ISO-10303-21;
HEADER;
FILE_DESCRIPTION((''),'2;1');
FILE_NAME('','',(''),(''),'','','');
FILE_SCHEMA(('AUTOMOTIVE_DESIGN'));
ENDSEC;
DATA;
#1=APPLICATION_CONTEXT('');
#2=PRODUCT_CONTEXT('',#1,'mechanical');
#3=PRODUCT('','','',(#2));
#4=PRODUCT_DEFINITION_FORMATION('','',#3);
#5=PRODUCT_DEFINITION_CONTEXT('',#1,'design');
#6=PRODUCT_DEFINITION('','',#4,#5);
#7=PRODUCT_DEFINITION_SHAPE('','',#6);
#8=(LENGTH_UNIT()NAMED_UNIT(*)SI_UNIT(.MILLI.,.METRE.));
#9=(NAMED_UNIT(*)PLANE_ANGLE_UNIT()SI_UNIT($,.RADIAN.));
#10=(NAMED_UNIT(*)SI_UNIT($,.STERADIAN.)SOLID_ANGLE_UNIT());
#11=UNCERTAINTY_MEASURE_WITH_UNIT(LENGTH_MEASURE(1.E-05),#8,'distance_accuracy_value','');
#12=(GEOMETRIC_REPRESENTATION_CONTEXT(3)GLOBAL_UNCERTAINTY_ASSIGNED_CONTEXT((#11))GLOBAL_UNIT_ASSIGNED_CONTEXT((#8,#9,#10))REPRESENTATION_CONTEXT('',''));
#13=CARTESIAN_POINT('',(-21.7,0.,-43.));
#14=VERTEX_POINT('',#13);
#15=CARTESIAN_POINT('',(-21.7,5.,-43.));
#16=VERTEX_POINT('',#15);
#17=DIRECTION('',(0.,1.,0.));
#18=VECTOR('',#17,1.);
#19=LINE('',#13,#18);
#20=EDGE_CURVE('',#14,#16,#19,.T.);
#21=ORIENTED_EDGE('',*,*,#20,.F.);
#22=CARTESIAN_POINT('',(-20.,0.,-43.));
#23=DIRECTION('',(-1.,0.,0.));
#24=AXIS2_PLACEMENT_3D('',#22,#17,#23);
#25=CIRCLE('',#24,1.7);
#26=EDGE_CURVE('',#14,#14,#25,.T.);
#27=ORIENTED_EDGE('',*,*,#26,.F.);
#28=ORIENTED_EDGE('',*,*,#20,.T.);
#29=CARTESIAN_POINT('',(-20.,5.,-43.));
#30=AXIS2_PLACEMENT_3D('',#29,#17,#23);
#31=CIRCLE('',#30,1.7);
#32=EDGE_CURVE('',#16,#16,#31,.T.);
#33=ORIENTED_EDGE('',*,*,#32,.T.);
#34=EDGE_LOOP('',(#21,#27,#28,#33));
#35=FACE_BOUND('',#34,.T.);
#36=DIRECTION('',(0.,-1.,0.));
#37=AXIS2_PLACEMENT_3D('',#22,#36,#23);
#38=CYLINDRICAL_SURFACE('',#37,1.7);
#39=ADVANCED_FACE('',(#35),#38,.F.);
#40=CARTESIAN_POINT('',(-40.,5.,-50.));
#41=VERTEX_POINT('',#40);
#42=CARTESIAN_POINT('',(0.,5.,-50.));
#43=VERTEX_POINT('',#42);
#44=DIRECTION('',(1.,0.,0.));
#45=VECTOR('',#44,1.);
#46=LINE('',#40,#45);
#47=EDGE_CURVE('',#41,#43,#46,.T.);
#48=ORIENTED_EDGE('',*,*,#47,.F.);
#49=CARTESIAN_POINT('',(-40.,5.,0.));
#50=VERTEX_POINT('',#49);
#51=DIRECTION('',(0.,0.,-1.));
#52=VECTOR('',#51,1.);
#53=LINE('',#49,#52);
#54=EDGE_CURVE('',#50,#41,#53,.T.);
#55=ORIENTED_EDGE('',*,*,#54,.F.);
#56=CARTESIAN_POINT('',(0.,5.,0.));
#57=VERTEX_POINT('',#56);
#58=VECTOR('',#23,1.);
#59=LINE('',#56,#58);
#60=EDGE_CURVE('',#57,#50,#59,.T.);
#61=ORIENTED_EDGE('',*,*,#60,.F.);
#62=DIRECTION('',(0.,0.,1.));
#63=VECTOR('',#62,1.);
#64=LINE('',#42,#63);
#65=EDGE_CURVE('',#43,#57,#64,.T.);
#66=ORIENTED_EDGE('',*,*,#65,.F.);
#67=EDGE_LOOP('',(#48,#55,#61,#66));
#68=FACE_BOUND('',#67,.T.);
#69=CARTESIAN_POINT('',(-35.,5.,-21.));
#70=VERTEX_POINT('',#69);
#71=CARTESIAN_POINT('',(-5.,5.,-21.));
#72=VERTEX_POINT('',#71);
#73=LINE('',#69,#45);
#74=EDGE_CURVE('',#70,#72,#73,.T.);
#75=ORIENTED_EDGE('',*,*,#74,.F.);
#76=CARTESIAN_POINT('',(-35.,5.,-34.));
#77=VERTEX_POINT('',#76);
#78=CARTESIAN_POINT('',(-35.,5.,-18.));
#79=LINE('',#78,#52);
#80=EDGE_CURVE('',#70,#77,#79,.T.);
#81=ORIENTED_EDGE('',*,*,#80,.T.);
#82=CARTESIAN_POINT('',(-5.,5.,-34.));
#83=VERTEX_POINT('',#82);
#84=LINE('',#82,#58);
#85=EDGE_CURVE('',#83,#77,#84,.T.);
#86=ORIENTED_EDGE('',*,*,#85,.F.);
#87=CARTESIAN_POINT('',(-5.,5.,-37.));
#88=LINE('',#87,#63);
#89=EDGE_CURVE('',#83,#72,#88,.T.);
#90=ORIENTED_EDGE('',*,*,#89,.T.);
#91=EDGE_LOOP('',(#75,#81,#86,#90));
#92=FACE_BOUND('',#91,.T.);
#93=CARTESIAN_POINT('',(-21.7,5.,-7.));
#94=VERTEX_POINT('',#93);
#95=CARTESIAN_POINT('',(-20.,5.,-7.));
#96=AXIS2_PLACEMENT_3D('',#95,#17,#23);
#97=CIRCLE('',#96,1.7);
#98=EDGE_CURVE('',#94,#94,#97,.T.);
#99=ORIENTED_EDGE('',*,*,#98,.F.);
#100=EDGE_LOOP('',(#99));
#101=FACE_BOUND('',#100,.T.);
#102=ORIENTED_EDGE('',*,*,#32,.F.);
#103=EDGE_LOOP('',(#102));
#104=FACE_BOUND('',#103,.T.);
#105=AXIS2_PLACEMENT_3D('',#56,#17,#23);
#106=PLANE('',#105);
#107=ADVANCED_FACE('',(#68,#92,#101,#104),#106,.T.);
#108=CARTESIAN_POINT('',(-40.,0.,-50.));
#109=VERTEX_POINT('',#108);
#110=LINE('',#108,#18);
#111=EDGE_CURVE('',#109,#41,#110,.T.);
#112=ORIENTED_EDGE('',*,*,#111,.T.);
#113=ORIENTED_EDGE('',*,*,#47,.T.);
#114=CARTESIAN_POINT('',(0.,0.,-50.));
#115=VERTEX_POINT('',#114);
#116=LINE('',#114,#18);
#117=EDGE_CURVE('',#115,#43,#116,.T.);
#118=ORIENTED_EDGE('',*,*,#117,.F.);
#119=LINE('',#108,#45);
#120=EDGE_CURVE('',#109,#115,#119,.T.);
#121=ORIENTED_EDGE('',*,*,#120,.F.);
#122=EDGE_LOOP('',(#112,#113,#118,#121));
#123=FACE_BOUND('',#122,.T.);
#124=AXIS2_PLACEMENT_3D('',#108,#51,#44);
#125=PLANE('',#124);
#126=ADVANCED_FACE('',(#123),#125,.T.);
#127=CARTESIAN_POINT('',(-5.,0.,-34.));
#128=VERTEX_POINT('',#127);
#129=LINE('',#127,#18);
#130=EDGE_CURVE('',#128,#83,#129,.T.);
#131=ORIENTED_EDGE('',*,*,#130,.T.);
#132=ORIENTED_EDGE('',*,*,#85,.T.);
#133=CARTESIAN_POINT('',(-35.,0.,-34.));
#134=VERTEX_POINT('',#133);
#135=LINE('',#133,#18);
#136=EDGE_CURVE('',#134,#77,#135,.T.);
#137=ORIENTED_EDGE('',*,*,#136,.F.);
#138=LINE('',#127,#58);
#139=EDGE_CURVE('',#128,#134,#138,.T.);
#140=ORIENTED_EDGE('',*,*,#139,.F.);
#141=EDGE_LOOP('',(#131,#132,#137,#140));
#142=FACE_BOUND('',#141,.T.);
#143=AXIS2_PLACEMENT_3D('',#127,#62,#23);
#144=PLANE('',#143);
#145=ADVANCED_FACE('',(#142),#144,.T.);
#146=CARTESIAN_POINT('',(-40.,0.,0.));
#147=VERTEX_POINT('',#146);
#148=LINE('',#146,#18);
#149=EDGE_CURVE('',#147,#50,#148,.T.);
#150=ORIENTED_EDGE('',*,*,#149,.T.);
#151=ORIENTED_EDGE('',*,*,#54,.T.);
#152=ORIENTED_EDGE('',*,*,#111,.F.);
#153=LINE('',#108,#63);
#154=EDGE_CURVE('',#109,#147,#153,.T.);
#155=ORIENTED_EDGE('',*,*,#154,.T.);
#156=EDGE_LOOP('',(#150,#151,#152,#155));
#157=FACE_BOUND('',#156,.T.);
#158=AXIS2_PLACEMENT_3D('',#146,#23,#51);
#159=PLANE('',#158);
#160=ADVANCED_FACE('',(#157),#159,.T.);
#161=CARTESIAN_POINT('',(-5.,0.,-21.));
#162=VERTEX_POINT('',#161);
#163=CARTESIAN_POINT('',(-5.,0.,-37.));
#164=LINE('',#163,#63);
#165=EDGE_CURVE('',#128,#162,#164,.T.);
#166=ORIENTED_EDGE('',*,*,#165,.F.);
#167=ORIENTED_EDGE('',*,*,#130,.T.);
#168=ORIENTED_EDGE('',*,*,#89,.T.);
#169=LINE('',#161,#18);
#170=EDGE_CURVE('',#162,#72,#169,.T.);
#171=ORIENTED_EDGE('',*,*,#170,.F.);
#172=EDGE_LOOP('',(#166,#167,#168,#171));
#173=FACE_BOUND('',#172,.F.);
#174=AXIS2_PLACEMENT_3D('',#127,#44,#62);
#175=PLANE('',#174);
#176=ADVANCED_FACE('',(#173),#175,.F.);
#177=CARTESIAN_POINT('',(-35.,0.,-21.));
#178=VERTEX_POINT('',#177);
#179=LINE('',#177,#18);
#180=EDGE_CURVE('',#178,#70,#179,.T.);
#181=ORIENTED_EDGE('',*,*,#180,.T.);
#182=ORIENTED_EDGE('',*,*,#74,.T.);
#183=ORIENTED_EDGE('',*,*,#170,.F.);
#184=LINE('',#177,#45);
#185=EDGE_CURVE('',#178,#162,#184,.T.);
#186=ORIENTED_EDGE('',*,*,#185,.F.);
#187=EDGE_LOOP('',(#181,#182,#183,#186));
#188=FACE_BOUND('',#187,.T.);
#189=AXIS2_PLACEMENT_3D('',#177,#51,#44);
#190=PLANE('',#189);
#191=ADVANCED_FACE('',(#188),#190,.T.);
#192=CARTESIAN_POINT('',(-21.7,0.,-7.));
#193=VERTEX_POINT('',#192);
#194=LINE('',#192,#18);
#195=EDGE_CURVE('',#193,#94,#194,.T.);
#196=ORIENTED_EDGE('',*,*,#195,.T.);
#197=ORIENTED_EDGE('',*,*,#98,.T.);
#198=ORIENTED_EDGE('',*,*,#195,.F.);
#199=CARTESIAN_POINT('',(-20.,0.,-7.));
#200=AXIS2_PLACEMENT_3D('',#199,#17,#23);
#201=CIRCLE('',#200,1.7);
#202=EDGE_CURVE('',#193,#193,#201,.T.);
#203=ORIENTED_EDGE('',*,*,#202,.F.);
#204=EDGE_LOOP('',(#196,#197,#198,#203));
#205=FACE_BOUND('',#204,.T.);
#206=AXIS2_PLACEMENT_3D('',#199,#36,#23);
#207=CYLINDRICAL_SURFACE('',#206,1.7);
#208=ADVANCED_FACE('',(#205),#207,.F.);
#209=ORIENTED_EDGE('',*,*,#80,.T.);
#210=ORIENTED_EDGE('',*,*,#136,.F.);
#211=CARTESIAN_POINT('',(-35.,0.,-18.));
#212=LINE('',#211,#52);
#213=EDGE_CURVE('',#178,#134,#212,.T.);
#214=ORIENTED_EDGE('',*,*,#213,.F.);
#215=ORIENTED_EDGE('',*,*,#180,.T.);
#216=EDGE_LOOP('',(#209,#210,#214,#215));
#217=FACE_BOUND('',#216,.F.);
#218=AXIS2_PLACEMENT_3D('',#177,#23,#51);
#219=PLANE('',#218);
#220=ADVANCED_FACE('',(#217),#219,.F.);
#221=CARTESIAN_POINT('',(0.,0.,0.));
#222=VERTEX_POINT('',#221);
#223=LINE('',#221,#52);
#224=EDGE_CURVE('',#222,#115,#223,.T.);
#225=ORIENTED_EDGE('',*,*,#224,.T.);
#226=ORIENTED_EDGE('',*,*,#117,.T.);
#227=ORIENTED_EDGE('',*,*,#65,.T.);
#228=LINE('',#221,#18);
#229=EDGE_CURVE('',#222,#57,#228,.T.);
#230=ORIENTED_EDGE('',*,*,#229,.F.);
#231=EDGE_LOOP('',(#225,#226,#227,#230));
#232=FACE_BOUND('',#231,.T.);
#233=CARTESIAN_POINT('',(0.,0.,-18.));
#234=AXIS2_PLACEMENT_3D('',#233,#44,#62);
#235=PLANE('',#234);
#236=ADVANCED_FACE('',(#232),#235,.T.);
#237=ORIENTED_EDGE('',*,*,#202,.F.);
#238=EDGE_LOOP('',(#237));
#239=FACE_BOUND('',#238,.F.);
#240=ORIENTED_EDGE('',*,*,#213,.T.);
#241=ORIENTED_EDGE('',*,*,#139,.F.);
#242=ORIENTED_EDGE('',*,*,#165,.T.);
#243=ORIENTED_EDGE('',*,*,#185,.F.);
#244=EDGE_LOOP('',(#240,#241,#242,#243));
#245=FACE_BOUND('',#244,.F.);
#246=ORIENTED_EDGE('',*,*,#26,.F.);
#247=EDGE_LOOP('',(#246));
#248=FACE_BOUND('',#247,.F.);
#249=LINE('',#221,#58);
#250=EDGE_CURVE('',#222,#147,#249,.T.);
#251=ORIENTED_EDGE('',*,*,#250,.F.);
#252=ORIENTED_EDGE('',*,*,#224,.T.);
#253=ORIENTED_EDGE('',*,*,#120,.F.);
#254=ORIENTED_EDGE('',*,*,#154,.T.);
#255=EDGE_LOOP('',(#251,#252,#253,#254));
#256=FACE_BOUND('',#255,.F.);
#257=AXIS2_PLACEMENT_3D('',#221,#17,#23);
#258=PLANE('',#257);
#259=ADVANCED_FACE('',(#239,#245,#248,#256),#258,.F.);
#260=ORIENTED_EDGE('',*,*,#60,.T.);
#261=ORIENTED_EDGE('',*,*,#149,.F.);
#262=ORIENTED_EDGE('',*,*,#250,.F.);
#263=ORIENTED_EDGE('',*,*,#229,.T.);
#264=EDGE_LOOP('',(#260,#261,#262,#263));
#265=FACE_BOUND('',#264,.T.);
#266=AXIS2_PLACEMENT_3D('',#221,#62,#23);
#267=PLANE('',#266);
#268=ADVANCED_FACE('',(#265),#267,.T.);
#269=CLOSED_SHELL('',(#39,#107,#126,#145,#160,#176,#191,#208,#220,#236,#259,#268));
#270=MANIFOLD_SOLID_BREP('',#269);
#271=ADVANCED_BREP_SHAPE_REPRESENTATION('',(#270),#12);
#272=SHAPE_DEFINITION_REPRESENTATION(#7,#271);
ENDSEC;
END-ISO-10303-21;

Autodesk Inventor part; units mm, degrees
ref_plane "YZ Plane" through (0, 0, 0) normal (1, 0, 0) x (0, 1, 0)
ref_plane "XZ Plane" through (0, 0, 0) normal (0, 1, 0) x (-1, 0, 0)
ref_plane "XY Plane" through (0, 0, 0) normal (0, 0, 1) x (1, 0, 0)
sketch "Sketch1" plane through (0, 0, 0) normal (0, 1, 0) x (-1, 0, 0)
  line L0 (0, 0) -> (40, 0)
  line L1 (40, 0) -> (40, -50)
  line L2 (40, -50) -> (0, -50)
  line L3 (0, -50) -> (0, 0)
  line L4 (40, 0) -> (0, 0)
  line L5 (0, 0) -> (0, -18)
  line L6 (5, -18) -> (35, -18)
  line L7 (40, -18) -> (40, 0)
  line L8 (35, -18) -> (5, -18)
  line L9 (0, -18) -> (0, -37)
  line L10 (5, -37) -> (35, -37)
  line L11 (40, -37) -> (40, -18)
  circle A0 centre (20, -7) radius 1.7
  circle A1 centre (20, -43) radius 1.7
  line L12 (20, -18) -> (35, -18)
  line L13 (35, -18) -> (35, -37)
  line L14 (35, -37) -> (20, -37)
  line L15 (20, -37) -> (5, -37)
  line L16 (5, -37) -> (5, -18)
  line L17 (5, -18) -> (20, -18)
  line L18 (35, -21) -> (5, -21)
  line L19 (5, -21) -> (5, -34)
  line L20 (5, -34) -> (35, -34)
  line L21 (35, -34) -> (35, -21)
  dimension "d0" = 40
  dimension "d1" = 50
  dimension "d2" = 3.4
  dimension "d3" = 3.4
  dimension "d6" = 19
extrude "Extrusion1" add sketch "Sketch1" along normal blind 5 contours L0 L1 L2 L3 | L6 L13 L18 L16 | L20 L13 L10 L16
properties part number "_3DPrint"
